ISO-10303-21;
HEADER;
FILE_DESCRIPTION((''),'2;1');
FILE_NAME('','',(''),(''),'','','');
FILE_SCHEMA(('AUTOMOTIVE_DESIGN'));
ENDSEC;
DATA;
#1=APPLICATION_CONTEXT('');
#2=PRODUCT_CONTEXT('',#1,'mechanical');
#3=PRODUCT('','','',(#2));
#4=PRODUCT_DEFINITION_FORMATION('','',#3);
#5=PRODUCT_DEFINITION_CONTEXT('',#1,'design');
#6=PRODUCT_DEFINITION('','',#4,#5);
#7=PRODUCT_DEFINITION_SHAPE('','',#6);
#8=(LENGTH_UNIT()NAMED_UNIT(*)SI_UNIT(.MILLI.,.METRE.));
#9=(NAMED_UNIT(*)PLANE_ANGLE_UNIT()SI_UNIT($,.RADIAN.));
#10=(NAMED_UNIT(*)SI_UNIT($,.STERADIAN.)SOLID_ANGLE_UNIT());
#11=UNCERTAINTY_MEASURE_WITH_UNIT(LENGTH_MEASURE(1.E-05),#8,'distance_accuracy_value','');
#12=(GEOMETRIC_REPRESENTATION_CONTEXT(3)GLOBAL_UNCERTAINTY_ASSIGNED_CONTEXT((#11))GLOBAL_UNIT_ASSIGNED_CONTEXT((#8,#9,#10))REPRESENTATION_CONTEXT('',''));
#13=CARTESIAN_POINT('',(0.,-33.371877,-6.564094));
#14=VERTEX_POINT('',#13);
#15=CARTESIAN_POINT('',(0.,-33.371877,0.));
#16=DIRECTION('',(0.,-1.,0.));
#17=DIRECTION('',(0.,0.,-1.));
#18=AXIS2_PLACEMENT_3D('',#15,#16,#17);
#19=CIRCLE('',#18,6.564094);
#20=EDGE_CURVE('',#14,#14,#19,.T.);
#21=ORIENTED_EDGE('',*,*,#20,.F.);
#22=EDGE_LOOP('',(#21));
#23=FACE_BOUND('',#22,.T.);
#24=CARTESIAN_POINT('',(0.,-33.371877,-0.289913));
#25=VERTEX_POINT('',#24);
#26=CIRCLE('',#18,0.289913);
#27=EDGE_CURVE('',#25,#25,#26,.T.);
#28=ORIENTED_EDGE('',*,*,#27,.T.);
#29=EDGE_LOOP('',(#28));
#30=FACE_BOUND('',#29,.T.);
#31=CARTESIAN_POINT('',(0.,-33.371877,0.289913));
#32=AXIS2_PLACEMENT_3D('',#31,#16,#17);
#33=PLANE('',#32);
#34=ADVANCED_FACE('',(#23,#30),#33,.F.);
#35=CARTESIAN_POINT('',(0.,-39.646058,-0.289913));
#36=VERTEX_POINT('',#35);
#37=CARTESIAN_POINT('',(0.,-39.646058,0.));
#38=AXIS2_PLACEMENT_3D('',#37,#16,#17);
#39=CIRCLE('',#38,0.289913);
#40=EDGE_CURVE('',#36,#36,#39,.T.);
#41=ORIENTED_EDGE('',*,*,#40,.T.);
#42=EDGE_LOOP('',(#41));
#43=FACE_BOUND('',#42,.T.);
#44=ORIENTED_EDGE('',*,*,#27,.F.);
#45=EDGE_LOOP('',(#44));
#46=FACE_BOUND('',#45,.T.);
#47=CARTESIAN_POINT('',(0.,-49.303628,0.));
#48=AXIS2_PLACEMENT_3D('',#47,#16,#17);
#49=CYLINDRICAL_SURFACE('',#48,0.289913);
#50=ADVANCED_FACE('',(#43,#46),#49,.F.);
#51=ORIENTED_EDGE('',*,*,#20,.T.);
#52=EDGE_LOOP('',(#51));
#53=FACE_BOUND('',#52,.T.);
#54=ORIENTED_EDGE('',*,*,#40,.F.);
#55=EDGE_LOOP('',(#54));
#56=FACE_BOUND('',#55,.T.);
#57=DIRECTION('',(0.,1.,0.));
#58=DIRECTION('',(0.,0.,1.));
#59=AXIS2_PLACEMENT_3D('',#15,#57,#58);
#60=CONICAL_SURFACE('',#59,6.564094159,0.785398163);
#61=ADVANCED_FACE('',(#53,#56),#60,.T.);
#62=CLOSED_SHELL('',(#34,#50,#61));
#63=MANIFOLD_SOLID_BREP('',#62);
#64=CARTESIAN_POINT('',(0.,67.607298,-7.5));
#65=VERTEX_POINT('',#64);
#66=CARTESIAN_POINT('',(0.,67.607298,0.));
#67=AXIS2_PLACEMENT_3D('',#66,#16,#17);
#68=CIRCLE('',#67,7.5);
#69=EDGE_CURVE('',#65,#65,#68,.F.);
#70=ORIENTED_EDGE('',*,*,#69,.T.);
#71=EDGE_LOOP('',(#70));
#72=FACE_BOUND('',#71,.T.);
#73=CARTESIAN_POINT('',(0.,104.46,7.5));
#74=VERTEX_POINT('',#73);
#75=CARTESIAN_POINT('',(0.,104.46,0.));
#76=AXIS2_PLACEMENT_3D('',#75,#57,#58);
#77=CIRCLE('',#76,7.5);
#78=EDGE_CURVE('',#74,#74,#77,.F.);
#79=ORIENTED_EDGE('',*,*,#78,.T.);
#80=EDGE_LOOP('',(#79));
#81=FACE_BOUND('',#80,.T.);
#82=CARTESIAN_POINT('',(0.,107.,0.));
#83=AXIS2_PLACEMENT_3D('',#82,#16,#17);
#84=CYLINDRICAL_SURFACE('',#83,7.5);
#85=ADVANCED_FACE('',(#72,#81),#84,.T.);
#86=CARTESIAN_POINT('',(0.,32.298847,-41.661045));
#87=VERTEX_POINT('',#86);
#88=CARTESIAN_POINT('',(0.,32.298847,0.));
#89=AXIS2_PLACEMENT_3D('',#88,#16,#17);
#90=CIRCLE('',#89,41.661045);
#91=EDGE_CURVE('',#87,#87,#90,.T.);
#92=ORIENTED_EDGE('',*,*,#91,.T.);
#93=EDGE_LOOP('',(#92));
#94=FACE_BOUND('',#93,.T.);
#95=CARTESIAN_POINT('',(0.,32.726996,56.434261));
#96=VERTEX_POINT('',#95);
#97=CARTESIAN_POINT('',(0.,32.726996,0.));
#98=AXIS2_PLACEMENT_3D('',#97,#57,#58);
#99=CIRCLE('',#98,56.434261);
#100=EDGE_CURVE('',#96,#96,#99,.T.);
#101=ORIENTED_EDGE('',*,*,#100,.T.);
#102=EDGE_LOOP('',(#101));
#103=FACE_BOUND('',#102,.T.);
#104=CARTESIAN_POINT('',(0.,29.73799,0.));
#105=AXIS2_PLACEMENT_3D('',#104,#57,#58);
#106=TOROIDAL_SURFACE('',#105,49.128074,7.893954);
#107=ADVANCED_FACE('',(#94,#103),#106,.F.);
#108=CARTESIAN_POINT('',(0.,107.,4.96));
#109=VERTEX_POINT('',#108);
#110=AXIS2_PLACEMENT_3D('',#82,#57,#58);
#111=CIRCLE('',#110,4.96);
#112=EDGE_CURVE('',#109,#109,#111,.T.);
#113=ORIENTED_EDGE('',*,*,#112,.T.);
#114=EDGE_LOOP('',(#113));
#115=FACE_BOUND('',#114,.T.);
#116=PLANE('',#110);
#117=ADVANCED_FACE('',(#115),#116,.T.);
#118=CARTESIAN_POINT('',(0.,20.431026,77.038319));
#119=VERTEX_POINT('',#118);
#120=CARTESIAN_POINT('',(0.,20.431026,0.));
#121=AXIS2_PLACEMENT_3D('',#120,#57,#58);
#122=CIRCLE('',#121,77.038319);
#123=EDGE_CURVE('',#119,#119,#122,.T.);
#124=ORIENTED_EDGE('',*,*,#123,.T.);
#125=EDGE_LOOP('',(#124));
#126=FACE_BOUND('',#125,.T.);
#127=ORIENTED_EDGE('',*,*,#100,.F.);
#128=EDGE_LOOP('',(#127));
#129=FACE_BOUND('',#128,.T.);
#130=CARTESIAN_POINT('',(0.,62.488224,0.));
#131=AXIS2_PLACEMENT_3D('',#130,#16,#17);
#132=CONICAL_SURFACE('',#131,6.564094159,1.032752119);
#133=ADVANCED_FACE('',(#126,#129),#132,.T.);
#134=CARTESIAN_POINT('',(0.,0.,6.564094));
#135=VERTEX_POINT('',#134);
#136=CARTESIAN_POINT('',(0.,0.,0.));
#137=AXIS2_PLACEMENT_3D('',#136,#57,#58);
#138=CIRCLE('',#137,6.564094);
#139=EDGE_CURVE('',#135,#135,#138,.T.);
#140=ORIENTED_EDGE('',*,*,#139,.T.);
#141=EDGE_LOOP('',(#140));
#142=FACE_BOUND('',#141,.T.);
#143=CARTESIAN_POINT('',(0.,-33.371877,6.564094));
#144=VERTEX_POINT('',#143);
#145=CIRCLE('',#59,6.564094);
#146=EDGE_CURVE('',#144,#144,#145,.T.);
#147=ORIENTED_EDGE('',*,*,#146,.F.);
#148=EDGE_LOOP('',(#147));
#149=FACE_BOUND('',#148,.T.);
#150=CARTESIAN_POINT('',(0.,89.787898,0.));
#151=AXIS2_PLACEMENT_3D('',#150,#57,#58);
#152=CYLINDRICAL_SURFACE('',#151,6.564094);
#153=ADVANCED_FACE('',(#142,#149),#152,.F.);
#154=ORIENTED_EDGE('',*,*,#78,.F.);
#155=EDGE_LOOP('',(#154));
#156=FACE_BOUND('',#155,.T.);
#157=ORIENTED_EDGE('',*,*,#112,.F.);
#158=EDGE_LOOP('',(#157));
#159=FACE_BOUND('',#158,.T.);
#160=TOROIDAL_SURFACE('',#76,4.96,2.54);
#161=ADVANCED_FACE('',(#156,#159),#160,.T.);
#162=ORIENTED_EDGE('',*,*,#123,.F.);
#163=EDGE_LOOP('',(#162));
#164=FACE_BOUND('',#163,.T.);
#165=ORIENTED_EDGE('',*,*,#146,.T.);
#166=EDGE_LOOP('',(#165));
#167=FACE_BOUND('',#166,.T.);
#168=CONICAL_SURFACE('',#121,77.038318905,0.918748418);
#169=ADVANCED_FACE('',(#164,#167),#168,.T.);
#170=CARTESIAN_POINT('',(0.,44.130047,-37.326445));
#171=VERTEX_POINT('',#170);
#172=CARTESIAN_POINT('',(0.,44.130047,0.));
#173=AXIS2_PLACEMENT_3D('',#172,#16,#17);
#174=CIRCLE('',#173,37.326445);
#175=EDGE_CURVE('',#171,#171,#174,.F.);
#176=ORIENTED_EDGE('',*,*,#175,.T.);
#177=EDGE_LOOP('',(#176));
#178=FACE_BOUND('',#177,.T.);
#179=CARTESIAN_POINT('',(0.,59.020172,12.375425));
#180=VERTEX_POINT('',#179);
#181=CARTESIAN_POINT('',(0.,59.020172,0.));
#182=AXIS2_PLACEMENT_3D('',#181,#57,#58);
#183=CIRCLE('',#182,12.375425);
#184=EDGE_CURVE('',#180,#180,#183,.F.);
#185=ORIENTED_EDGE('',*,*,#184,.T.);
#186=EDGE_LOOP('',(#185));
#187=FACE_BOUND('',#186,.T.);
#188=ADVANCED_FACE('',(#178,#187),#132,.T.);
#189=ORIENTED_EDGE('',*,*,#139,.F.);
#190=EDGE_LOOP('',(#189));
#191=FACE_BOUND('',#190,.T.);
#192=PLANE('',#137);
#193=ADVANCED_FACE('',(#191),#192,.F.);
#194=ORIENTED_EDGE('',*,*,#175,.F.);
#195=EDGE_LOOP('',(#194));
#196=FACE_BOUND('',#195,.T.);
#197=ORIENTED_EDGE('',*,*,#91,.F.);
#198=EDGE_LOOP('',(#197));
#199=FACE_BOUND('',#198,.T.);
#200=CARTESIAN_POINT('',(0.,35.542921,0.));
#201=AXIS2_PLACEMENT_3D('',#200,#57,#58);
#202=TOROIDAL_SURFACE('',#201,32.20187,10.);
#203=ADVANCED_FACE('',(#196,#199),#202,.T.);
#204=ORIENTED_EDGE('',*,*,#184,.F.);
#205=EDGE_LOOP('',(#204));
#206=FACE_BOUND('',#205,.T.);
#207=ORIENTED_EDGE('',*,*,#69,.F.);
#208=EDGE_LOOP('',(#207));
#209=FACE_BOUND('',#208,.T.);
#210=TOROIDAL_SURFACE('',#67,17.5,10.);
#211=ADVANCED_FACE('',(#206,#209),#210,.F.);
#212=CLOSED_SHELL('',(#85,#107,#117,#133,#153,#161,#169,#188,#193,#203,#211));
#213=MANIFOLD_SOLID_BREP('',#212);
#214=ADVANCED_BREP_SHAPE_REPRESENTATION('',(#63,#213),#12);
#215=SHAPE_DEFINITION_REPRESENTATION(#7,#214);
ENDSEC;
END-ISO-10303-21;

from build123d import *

# Parameters (mm, degrees)
SKETCH4_R           = 7.5
BOSS_EXTRUDE1_DEPTH = 107
SKETCH8_ONE_SIDE_R  = 7.89395432
FILLET1_R           = 10
FILLET4_R           = 2.54


with BuildPart() as part:
    # Sketch1 → Revolve1 (revolve)
    with BuildSketch(Plane.XY):
        Polygon((-6.564094159, 62.488224309), (-77.038318905, 20.431025671), (-6.564094159, -33.371877092), align=None)
    revolve(axis=Axis((0, 89.787897782, 0), (0, -1, 0)))

    # Sketch4 → Boss-Extrude1 (add)
    with BuildSketch(Plane(origin=(0, 0, 0), x_dir=(1, 0, 0), z_dir=(0, 1, 0))):
        Circle(SKETCH4_R)
    extrude(amount=BOSS_EXTRUDE1_DEPTH)

    # Sketch8 one side → Cut-Revolve1 (revolve, cut)
    with BuildSketch(Plane.XY):
        with Locations((49.128074223, 29.737990358)):
            Circle(SKETCH8_ONE_SIDE_R)
    revolve(axis=Axis((0, 59.501993736, 0), (0, -1, 0)), mode=Mode.SUBTRACT)

    # Fillet1
    fillet1_edges = [part.edges().sort_by_distance(p)[0] for p in [
        (0, 37.587323222, -48.289928414),
        (0, 61.929699856, -7.5),
    ]]
    fillet(fillet1_edges, radius=FILLET1_R)

    # Fillet4
    fillet4_edges = [part.edges().sort_by_distance(p)[0] for p in [
        (-7.5, 107, 0),
    ]]
    fillet(fillet4_edges, radius=FILLET4_R)


with BuildPart() as body_2:
    # Sketch7 → Revolve2 (revolve)
    with BuildSketch(Plane(origin=(0, 0, 0), x_dir=(0, 0, -1), z_dir=(1, 0, 0))):
        Polygon((-6.564094159, -33.371877092), (-0.289913468, -39.646057783), (-0.289913468, -33.371877092), align=None)
    revolve(axis=Axis((0, -49.303627639, 0), (0, 1, 0)))


solid = Compound([part.part, body_2.part])
